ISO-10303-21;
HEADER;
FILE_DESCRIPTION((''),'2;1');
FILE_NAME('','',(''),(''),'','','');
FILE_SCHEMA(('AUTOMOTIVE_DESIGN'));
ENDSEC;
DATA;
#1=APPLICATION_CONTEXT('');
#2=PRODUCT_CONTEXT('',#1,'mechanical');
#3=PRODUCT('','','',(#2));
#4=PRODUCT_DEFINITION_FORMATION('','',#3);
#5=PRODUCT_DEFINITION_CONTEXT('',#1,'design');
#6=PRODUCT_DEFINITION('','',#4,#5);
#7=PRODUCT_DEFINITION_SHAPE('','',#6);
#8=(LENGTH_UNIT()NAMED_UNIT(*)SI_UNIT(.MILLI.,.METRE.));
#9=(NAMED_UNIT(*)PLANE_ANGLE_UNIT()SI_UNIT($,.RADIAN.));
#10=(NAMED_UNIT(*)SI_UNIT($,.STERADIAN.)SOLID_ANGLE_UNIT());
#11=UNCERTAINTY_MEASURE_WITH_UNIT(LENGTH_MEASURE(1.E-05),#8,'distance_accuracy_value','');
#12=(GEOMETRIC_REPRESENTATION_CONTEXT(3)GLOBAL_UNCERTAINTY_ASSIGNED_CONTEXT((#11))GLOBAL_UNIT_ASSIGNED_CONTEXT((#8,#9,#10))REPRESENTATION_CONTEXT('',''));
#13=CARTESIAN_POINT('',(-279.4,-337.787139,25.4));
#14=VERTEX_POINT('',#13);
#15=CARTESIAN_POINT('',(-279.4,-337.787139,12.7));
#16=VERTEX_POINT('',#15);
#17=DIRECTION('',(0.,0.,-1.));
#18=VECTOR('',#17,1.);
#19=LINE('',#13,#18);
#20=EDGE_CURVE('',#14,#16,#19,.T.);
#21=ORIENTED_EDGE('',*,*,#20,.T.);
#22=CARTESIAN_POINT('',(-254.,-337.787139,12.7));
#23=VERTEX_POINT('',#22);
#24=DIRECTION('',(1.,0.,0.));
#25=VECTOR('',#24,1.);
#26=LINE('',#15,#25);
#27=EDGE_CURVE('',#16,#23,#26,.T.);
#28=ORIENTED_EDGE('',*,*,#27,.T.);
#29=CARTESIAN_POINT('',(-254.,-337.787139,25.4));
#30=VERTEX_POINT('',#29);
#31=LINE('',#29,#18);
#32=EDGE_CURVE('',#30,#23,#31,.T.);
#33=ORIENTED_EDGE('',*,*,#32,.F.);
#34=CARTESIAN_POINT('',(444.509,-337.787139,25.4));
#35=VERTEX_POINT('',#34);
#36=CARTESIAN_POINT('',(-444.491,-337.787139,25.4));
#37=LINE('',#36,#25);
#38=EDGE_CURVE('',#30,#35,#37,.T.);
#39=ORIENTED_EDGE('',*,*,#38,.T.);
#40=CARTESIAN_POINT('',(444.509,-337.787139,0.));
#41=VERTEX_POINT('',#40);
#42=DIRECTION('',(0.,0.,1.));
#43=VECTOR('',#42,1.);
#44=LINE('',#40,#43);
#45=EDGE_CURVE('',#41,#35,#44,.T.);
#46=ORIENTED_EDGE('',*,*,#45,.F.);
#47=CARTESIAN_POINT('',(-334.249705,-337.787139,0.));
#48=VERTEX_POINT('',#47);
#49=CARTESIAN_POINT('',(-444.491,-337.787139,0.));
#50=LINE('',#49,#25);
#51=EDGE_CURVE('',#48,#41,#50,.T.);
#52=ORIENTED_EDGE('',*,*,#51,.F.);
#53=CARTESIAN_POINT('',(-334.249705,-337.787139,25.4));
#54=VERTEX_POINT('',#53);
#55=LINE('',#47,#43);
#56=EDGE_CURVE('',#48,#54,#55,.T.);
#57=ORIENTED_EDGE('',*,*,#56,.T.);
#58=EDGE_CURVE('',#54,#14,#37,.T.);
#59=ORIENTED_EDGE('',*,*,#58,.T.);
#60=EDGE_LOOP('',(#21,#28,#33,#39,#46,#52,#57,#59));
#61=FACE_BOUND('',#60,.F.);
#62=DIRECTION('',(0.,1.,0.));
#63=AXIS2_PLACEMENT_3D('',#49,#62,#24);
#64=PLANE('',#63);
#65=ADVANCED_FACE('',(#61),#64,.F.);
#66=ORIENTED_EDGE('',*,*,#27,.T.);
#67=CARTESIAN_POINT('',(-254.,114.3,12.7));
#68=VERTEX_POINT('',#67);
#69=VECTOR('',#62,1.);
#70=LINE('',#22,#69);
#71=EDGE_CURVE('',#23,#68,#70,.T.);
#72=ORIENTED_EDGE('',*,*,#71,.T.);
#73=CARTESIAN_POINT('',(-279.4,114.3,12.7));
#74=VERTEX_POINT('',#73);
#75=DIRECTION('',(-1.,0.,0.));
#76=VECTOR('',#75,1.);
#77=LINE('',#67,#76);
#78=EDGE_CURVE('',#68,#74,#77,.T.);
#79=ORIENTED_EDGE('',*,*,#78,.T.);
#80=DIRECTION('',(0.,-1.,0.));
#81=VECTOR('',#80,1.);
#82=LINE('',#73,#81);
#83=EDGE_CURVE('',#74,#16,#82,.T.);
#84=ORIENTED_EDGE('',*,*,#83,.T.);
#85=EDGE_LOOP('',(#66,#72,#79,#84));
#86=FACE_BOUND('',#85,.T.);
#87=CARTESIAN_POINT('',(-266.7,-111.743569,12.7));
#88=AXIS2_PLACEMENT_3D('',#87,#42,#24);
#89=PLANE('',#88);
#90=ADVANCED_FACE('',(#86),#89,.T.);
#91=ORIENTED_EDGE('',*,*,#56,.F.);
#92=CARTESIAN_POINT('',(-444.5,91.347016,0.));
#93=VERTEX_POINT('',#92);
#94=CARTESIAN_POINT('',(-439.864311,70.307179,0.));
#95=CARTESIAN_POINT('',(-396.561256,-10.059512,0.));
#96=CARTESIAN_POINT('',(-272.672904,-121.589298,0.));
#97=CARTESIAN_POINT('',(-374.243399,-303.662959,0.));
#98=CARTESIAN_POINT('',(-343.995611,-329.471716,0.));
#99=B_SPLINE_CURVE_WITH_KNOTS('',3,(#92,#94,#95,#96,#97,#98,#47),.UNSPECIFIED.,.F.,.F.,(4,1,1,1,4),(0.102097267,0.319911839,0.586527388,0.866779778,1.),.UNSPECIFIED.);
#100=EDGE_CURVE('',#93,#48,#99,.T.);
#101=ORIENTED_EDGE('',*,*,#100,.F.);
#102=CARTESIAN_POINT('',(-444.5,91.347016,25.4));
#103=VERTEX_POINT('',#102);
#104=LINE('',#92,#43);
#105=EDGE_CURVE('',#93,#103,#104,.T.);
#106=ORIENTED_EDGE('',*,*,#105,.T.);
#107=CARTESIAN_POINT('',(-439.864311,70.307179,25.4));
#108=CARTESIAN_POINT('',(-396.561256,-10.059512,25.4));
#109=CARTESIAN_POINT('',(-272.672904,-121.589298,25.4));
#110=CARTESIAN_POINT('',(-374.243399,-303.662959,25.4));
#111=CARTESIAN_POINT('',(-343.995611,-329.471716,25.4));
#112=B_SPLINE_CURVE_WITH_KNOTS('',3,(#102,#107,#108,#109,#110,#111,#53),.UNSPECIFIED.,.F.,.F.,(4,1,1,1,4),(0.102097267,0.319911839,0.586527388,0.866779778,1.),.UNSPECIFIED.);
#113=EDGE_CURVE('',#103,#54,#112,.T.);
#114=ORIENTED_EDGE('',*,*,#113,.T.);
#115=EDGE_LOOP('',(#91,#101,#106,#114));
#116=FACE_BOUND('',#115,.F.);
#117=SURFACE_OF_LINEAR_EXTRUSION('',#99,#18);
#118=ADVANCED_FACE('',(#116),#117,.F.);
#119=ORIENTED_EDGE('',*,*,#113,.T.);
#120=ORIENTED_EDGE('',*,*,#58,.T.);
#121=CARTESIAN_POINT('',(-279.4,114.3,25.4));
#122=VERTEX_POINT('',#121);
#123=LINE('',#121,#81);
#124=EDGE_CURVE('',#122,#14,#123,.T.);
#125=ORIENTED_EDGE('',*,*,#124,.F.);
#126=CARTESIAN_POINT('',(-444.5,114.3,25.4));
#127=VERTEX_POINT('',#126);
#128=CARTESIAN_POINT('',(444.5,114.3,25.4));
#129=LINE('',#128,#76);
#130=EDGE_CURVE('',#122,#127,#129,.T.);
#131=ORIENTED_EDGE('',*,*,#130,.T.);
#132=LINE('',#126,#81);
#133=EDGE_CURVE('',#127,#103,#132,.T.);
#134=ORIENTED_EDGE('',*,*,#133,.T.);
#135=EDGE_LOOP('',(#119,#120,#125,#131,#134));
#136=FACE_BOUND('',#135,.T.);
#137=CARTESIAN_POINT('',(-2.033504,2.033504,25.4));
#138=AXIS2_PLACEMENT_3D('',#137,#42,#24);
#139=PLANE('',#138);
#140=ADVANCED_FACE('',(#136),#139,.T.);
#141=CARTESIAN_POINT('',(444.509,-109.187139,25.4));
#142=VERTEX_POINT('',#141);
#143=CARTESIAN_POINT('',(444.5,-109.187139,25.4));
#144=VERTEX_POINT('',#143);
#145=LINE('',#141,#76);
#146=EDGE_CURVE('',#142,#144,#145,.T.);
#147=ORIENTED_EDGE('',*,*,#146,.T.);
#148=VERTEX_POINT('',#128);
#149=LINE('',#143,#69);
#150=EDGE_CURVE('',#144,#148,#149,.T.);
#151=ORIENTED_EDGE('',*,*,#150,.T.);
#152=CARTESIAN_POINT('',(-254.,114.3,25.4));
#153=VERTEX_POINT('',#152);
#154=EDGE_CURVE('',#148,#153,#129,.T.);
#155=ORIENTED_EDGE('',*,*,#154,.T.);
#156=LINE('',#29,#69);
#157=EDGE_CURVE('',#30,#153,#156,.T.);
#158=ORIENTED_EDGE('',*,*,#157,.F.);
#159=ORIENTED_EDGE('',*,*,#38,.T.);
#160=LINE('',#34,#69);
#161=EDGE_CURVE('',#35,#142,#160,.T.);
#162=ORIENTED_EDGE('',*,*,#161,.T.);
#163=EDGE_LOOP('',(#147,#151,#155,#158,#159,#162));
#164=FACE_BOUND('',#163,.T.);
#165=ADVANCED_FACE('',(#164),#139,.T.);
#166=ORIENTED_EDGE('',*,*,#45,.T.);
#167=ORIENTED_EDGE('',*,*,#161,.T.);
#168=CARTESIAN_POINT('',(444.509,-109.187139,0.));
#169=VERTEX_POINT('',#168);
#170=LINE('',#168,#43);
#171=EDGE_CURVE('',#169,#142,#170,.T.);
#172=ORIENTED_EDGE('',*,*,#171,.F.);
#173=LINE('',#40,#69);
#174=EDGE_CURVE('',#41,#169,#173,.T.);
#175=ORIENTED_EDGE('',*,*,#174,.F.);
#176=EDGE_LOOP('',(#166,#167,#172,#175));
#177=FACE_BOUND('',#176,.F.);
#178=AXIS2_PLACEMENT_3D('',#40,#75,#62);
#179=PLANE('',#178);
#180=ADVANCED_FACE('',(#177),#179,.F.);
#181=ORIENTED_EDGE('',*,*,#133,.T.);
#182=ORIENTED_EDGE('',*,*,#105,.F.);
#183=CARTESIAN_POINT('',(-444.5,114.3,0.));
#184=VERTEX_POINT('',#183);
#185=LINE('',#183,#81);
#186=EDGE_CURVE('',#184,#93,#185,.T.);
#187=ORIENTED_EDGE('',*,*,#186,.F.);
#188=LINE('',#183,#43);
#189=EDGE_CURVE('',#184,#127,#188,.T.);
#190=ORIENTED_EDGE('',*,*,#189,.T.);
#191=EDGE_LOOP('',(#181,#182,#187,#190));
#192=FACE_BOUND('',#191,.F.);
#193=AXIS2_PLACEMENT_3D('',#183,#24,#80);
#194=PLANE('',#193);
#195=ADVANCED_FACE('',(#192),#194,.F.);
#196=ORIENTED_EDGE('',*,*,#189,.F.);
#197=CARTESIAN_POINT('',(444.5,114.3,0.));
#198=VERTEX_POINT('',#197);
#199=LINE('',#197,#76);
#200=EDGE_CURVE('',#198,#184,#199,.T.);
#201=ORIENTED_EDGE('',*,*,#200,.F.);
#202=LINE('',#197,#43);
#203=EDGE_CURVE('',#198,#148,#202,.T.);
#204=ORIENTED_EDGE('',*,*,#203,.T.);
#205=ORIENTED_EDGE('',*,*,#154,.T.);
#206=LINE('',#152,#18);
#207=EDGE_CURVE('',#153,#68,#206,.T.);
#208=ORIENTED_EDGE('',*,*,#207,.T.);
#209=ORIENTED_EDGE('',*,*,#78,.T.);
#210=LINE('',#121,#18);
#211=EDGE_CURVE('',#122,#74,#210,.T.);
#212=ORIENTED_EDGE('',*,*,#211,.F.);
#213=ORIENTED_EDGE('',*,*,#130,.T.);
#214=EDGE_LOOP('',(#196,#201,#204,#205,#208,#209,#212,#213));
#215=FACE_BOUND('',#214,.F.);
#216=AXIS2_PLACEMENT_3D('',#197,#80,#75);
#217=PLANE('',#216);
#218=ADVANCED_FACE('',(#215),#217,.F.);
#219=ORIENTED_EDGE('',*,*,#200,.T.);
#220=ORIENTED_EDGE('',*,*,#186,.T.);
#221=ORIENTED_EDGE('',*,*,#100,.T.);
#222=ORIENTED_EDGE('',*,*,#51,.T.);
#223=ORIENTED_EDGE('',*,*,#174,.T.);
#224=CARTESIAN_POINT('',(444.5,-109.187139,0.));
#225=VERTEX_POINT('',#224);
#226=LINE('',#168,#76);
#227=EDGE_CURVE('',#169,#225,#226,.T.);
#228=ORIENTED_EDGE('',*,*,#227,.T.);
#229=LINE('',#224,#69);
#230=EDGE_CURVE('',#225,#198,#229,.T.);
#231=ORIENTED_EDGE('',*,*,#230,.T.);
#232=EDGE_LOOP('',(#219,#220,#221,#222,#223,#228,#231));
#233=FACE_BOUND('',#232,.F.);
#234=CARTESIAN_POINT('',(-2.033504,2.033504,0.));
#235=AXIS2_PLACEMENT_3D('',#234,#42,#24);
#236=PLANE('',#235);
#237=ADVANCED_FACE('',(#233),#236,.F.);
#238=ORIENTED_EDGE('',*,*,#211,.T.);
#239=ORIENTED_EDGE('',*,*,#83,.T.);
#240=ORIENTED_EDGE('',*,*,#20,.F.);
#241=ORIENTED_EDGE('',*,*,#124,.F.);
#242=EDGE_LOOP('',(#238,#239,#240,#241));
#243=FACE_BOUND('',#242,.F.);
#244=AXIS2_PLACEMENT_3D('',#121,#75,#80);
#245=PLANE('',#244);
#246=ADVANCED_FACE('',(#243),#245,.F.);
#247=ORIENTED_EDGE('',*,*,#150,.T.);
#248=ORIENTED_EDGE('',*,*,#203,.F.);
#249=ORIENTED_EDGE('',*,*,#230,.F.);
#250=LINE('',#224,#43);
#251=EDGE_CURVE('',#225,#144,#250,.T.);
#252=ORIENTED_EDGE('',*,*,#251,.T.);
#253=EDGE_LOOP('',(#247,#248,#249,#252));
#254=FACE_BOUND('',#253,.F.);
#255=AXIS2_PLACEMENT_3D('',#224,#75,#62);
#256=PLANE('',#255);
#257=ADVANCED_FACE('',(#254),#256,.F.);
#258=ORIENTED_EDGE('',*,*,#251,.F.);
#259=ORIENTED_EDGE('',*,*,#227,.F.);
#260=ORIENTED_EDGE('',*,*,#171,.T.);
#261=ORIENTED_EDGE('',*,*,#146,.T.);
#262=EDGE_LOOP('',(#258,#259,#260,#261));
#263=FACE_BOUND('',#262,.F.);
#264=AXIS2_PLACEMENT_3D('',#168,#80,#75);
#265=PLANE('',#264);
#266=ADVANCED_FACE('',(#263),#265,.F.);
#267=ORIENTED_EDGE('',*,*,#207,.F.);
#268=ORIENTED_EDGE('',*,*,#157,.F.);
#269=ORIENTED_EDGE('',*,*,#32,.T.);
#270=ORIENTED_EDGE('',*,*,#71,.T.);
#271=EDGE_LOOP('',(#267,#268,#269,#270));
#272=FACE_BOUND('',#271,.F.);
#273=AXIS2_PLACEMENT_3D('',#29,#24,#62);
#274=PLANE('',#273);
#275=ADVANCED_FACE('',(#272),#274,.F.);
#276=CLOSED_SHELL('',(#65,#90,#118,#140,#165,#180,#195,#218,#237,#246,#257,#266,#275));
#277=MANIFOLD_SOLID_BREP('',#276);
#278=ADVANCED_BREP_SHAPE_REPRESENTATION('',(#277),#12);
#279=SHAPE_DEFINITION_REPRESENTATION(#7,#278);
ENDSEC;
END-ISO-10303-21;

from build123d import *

# Parameters (mm, degrees)
F0_W     = 888.9909996986
F0_H     = 5.1128612518
F1_DEPTH = 25.4
F3_DEPTH = 12.7
F5_DEPTH = 25.4


with BuildPart() as f1:
    # F0 (on Top) → F1 (new body)
    with BuildSketch(Plane.XY):
        Polygon((444.5, -109.1871387482), (444.5, 114.3), (-444.5, 114.3), (-444.5, -114.3), (-444.4909996986, -114.3), (-444.4909996986, -109.1871387482), align=None)
        Polygon((444.5090003014, -109.1871387482), (444.5, -109.1871387482), (444.5, -114.3), (-444.4909996986, -114.3), (-444.4909996986, -337.7871387482), (444.5090003014, -337.7871387482), align=None)
        with Locations((0.0045001507, -111.7435693741)):
            Rectangle(F0_W, F0_H)
    extrude(amount=F1_DEPTH)

    # F2 (on face) → F3 (cut)
    with BuildSketch(Plane.XY.offset(25.4)):
        Polygon((-266.7, 114.3), (-279.4, 114.3), (-279.4, -337.7871387482), (-254, -337.7871387482), (-254, 114.3), align=None)
    extrude(amount=-F3_DEPTH, mode=Mode.SUBTRACT)

    # F4 (on face) → F5 (cut)
    with BuildSketch(Plane(origin=(0, 0, 0), x_dir=(1, 0, 0), z_dir=(0, 0, -1))):
        with BuildLine():
            Line((-444.5, 114.3), (-444.5, -91.3470163941))
            add(Edge.make_bspline(
                [(-444.5, -91.3470163941), (-439.8643107844, -70.3071791015), (-396.5612558672, 10.0595120676), (-272.6729040405, 121.5892977787), (-374.2433991601, 303.6629585996), (-343.9956112011, 329.4717163372), (-334.2497050762, 337.7871387482)],
                knots=[0.1020972669, 0.1020972669, 0.1020972669, 0.1020972669, 0.3199118394, 0.5865273881, 0.8667797776, 1, 1, 1, 1], degree=3))
            Line((-334.2497050762, 337.7871387482), (-444.4909996986, 337.7871387482))
            Line((-444.4909996986, 337.7871387482), (-444.4909996986, 114.3))
            Line((-444.4909996986, 114.3), (-444.5, 114.3))
        make_face()
    extrude(amount=-F5_DEPTH, mode=Mode.SUBTRACT)


solid = f1.part
